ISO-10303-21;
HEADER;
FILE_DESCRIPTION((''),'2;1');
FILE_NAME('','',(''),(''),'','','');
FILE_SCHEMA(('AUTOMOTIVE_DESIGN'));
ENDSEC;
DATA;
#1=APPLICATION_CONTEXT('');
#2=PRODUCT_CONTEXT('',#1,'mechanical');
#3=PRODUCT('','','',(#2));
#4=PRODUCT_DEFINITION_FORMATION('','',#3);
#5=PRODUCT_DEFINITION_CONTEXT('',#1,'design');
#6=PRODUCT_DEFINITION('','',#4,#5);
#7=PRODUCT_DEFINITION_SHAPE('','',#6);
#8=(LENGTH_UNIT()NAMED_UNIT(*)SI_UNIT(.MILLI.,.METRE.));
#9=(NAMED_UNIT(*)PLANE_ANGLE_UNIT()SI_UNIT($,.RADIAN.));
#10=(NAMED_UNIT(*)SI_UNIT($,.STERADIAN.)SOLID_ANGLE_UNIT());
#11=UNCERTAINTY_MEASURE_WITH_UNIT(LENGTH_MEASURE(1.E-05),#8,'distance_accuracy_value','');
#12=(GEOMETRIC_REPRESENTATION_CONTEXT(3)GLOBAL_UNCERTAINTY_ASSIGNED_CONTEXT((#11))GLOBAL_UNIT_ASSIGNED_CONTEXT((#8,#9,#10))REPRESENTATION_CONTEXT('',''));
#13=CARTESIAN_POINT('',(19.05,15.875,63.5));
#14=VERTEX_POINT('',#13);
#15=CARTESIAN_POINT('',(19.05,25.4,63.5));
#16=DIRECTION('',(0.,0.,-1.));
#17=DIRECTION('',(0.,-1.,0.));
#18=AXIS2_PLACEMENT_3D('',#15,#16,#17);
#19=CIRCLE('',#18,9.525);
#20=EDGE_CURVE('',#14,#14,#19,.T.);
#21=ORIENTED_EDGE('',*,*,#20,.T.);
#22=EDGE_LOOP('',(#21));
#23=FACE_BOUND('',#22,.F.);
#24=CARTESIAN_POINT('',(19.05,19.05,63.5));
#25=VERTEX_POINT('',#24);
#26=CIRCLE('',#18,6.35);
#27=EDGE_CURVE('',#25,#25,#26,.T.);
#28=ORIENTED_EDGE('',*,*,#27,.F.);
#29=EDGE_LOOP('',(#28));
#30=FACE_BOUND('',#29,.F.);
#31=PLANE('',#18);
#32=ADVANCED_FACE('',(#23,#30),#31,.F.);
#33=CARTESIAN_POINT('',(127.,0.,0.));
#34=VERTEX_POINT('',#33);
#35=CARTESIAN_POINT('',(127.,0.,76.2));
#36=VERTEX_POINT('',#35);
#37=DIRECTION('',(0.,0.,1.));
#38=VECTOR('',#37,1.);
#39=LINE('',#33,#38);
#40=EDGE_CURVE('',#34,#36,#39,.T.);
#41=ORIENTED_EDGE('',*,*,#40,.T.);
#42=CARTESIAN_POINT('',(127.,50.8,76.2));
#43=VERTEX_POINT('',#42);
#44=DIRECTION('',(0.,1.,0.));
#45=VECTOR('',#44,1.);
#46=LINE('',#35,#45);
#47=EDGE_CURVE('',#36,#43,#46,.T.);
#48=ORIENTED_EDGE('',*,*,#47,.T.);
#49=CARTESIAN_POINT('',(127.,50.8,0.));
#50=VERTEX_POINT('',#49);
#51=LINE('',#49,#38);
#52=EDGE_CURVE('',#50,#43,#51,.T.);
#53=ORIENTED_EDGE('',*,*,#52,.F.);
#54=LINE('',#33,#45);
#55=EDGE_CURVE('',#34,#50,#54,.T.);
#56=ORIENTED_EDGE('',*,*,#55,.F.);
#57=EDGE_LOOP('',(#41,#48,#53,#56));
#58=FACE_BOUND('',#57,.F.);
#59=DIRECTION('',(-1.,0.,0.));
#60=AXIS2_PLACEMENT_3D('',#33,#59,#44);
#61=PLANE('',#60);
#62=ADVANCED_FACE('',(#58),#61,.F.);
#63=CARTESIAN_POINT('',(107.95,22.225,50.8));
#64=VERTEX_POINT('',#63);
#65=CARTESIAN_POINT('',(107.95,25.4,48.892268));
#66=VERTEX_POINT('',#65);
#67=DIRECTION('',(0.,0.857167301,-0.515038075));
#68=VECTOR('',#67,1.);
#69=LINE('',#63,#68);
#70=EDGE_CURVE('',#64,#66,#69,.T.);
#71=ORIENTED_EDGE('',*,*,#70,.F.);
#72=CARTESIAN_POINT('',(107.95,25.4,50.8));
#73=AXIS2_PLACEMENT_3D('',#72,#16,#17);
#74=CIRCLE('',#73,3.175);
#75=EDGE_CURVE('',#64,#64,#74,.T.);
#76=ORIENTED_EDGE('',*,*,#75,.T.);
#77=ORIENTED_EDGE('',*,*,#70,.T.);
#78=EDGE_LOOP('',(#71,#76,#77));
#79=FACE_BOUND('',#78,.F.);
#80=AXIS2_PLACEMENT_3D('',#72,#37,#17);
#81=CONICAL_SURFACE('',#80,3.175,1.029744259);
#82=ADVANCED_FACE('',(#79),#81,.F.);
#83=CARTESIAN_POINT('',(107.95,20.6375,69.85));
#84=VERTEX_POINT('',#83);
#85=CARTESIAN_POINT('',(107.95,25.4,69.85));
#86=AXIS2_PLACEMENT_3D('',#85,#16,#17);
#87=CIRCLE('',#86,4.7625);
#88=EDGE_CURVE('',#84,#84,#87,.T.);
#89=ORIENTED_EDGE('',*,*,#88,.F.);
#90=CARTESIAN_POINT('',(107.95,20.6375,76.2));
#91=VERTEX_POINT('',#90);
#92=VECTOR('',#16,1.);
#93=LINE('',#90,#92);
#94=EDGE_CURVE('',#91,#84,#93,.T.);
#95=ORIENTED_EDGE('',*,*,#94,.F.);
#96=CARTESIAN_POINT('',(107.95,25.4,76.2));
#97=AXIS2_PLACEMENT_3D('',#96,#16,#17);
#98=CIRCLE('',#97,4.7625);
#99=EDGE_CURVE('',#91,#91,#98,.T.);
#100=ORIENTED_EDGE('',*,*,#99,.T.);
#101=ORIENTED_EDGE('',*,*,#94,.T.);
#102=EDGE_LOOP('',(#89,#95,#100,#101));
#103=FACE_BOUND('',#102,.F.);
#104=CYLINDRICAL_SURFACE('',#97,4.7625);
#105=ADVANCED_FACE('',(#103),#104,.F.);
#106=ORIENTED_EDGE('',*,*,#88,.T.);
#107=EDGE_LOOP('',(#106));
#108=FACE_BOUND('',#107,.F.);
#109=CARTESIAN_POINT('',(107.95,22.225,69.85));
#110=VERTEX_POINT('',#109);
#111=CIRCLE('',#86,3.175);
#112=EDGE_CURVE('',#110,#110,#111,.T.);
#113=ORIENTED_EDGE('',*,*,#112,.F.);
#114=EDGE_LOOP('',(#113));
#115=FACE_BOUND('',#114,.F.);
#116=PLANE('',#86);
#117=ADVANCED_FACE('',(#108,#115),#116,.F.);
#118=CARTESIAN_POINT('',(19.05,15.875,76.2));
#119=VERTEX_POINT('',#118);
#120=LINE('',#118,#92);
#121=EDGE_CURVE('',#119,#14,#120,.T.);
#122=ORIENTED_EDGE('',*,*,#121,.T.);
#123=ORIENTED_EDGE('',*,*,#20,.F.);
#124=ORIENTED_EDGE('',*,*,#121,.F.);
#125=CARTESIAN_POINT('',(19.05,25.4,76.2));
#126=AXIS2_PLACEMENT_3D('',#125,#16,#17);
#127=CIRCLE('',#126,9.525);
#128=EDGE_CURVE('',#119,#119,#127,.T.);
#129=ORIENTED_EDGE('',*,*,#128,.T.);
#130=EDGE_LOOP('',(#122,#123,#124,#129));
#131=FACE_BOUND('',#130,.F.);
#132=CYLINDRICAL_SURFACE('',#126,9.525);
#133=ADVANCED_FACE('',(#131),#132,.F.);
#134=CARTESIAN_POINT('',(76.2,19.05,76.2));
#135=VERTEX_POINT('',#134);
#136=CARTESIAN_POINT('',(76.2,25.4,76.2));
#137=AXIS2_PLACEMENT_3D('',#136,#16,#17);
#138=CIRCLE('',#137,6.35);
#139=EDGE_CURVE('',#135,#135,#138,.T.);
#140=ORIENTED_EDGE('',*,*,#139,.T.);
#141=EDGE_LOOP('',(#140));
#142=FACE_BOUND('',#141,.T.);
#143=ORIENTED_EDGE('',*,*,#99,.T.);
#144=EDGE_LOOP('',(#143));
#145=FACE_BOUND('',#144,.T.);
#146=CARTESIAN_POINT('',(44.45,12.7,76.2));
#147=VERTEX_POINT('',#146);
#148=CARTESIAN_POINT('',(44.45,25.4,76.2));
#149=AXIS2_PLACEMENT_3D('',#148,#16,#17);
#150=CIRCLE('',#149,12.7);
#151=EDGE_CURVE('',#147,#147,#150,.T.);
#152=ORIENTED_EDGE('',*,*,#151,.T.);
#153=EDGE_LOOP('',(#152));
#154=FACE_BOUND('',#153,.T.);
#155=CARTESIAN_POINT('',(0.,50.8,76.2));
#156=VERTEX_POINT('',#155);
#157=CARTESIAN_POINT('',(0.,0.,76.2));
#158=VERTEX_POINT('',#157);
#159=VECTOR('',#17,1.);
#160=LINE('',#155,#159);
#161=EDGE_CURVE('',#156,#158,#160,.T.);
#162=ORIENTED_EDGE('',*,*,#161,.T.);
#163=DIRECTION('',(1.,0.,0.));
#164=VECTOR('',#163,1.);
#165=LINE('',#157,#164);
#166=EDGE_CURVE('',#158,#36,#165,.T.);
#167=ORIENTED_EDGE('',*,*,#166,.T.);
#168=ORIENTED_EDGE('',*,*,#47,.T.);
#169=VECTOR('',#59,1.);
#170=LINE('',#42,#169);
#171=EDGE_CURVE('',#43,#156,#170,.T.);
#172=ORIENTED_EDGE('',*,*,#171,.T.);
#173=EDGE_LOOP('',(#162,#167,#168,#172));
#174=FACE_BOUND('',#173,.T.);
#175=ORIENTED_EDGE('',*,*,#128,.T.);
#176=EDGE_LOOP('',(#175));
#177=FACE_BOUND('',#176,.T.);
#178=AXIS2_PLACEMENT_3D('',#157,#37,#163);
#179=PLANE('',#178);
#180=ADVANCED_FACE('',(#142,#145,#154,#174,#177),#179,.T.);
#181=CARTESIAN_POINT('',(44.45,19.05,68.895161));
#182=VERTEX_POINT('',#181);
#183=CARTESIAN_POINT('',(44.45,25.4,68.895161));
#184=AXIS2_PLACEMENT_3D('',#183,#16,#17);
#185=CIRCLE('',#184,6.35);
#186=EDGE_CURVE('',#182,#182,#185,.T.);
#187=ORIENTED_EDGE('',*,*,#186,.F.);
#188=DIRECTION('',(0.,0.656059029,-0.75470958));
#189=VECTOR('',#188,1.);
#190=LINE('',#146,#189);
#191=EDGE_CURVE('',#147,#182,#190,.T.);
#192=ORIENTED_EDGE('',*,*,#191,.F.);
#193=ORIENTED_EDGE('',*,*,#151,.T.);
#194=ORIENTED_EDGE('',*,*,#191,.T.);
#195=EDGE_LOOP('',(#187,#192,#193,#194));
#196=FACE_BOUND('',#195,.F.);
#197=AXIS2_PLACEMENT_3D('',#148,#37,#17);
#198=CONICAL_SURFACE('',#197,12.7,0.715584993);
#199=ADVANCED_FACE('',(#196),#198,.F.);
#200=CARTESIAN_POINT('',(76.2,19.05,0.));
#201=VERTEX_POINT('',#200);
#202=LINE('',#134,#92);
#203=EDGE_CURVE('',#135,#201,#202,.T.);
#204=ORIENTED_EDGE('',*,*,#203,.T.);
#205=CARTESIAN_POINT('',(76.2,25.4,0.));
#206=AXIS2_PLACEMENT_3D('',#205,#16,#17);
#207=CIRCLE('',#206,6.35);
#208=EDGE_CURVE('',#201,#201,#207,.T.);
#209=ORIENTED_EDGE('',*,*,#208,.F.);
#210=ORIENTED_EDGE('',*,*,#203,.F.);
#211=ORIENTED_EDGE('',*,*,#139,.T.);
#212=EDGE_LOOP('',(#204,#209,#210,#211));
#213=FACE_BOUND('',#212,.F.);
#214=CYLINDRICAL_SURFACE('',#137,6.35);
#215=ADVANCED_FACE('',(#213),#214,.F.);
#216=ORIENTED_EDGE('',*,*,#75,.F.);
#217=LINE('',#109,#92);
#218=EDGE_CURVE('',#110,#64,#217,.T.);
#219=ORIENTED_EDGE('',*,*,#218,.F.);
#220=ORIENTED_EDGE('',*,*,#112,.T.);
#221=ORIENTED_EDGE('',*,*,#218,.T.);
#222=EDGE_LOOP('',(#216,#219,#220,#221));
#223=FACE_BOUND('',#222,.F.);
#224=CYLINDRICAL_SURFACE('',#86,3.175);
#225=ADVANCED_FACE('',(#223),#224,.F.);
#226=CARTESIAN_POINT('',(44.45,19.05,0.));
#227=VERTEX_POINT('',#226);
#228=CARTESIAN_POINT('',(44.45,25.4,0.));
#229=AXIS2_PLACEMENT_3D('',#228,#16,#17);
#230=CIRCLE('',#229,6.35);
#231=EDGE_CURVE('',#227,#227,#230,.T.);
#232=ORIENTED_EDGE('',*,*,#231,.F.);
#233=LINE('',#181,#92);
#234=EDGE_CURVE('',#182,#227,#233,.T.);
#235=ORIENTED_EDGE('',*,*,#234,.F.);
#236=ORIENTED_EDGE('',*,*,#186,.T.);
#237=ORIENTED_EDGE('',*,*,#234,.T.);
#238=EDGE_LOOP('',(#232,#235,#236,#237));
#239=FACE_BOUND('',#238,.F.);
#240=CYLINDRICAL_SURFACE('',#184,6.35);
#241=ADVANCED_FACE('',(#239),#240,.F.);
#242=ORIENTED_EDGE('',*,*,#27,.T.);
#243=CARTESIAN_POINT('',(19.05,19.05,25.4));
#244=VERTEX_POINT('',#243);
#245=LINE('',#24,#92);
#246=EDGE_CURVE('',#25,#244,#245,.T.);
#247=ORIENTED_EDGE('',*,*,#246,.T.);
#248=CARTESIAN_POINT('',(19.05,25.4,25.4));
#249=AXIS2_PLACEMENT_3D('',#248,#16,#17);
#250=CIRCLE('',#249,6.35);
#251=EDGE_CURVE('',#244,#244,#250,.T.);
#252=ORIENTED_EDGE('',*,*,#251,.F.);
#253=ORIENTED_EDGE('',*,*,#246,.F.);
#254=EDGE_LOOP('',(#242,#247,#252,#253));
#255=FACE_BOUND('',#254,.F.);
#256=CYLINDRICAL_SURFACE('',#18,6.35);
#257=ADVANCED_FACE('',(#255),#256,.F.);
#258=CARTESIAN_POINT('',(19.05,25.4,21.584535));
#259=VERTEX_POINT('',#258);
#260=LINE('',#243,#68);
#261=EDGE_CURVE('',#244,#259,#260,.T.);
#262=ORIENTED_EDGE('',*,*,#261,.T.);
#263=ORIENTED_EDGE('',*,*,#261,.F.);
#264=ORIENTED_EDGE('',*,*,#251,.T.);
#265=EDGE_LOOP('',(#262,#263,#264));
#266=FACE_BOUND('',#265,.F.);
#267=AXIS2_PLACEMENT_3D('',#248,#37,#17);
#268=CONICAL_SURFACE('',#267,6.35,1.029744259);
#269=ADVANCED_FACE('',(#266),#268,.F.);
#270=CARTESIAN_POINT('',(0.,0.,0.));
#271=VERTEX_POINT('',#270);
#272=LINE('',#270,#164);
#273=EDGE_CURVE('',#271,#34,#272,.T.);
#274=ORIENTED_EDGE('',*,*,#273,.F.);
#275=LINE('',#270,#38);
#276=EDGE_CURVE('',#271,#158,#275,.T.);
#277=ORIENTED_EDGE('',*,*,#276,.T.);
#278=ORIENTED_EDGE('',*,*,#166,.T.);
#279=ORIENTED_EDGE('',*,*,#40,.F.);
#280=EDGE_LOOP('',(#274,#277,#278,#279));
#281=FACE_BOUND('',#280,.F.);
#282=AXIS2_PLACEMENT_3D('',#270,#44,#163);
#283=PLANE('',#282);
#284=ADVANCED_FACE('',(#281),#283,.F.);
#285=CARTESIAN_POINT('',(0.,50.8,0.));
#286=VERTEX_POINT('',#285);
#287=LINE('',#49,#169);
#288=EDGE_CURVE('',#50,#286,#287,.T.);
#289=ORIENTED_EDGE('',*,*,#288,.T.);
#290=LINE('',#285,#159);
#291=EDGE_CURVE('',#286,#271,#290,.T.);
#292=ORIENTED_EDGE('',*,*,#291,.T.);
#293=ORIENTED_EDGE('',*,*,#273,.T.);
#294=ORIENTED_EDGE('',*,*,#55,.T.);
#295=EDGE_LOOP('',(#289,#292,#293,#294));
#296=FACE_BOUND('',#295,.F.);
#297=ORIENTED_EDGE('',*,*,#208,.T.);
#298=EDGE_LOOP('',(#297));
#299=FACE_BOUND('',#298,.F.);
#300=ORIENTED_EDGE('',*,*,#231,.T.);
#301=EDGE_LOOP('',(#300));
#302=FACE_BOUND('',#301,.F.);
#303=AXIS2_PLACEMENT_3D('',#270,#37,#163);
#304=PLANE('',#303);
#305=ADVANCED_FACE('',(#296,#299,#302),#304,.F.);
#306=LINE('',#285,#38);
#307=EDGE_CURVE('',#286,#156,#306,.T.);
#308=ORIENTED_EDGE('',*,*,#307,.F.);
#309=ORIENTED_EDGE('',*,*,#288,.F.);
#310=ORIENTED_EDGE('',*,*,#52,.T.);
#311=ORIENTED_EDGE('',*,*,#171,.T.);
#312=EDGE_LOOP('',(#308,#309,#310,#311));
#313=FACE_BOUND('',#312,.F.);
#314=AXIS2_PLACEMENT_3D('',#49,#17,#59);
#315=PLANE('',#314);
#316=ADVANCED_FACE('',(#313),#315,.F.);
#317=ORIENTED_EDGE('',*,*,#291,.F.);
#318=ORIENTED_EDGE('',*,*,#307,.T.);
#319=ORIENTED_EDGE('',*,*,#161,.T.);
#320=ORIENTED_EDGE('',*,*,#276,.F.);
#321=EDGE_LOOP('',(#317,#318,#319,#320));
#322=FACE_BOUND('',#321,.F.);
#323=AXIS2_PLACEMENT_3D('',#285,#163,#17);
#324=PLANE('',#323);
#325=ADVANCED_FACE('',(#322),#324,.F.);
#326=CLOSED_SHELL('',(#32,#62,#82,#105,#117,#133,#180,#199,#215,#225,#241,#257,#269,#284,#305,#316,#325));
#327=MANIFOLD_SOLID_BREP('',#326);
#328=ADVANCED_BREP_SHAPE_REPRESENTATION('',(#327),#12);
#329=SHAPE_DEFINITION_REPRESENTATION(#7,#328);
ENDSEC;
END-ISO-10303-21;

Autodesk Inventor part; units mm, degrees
ref_plane "YZ Plane" through (0, 0, 0) normal (1, 0, 0) x (0, 1, 0)
ref_plane "XZ Plane" through (0, 0, 0) normal (0, 1, 0) x (-1, 0, 0)
ref_plane "XY Plane" through (0, 0, 0) normal (0, 0, 1) x (1, 0, 0)
sketch "Sketch1" plane through (0, 0, 0) normal (0, 0, 1) x (1, 0, 0)
  line L0 (0, 0) -> (127, 0)
  line L1 (127, 0) -> (127, 50.8)
  line L2 (127, 50.8) -> (0, 50.8)
  line L3 (0, 50.8) -> (0, 0)
  dimension "d0" = 50.8
  dimension "d1" = 127
extrude "Extrusion1" add sketch "Sketch1" along normal blind 76.2
sketch "Sketch2" plane through (0, 0, 76.2) normal (0, 0, 1) x (1, 0, 0)
  line L0 (0, 0) -> (127, 0) projected
  line L1 (0, 50.8) -> (0, 0) projected
  point P0 (19.05, 25.4)
  point P1 (44.45, 25.4)
  point P2 (76.2, 25.4)
  point P3 (107.95, 25.4)
  dimension "d4" = 25.4
  dimension "d5" = 25.4
  dimension "d6" = 25.4
  dimension "d7" = 25.4
  dimension "d8" = 19.05
  dimension "d9" = 44.45
  dimension "d10" = 31.75
  dimension "d11" = 31.75
hole "Hole1" at (107.95, 25.4, 76.2) direction (0, 0, -1) diameter 6.35 depth 25.4 tip angle 118 counterbore diameter 9.525 counterbore depth 6.35
hole "Hole2" at (76.2, 25.4, 76.2) direction (0, 0, -1) diameter 12.7 end through all
hole "Hole3" at (44.45, 25.4, 76.2) direction (0, 0, -1) diameter 12.7 end through all countersink diameter 25.4 countersink angle 82
hole "Hole4" at (19.05, 25.4, 76.2) direction (0, 0, -1) diameter 12.7 depth 50.8 tip angle 118 counterbore diameter 19.05 counterbore depth 12.7
properties part number "7.2 Q4"
